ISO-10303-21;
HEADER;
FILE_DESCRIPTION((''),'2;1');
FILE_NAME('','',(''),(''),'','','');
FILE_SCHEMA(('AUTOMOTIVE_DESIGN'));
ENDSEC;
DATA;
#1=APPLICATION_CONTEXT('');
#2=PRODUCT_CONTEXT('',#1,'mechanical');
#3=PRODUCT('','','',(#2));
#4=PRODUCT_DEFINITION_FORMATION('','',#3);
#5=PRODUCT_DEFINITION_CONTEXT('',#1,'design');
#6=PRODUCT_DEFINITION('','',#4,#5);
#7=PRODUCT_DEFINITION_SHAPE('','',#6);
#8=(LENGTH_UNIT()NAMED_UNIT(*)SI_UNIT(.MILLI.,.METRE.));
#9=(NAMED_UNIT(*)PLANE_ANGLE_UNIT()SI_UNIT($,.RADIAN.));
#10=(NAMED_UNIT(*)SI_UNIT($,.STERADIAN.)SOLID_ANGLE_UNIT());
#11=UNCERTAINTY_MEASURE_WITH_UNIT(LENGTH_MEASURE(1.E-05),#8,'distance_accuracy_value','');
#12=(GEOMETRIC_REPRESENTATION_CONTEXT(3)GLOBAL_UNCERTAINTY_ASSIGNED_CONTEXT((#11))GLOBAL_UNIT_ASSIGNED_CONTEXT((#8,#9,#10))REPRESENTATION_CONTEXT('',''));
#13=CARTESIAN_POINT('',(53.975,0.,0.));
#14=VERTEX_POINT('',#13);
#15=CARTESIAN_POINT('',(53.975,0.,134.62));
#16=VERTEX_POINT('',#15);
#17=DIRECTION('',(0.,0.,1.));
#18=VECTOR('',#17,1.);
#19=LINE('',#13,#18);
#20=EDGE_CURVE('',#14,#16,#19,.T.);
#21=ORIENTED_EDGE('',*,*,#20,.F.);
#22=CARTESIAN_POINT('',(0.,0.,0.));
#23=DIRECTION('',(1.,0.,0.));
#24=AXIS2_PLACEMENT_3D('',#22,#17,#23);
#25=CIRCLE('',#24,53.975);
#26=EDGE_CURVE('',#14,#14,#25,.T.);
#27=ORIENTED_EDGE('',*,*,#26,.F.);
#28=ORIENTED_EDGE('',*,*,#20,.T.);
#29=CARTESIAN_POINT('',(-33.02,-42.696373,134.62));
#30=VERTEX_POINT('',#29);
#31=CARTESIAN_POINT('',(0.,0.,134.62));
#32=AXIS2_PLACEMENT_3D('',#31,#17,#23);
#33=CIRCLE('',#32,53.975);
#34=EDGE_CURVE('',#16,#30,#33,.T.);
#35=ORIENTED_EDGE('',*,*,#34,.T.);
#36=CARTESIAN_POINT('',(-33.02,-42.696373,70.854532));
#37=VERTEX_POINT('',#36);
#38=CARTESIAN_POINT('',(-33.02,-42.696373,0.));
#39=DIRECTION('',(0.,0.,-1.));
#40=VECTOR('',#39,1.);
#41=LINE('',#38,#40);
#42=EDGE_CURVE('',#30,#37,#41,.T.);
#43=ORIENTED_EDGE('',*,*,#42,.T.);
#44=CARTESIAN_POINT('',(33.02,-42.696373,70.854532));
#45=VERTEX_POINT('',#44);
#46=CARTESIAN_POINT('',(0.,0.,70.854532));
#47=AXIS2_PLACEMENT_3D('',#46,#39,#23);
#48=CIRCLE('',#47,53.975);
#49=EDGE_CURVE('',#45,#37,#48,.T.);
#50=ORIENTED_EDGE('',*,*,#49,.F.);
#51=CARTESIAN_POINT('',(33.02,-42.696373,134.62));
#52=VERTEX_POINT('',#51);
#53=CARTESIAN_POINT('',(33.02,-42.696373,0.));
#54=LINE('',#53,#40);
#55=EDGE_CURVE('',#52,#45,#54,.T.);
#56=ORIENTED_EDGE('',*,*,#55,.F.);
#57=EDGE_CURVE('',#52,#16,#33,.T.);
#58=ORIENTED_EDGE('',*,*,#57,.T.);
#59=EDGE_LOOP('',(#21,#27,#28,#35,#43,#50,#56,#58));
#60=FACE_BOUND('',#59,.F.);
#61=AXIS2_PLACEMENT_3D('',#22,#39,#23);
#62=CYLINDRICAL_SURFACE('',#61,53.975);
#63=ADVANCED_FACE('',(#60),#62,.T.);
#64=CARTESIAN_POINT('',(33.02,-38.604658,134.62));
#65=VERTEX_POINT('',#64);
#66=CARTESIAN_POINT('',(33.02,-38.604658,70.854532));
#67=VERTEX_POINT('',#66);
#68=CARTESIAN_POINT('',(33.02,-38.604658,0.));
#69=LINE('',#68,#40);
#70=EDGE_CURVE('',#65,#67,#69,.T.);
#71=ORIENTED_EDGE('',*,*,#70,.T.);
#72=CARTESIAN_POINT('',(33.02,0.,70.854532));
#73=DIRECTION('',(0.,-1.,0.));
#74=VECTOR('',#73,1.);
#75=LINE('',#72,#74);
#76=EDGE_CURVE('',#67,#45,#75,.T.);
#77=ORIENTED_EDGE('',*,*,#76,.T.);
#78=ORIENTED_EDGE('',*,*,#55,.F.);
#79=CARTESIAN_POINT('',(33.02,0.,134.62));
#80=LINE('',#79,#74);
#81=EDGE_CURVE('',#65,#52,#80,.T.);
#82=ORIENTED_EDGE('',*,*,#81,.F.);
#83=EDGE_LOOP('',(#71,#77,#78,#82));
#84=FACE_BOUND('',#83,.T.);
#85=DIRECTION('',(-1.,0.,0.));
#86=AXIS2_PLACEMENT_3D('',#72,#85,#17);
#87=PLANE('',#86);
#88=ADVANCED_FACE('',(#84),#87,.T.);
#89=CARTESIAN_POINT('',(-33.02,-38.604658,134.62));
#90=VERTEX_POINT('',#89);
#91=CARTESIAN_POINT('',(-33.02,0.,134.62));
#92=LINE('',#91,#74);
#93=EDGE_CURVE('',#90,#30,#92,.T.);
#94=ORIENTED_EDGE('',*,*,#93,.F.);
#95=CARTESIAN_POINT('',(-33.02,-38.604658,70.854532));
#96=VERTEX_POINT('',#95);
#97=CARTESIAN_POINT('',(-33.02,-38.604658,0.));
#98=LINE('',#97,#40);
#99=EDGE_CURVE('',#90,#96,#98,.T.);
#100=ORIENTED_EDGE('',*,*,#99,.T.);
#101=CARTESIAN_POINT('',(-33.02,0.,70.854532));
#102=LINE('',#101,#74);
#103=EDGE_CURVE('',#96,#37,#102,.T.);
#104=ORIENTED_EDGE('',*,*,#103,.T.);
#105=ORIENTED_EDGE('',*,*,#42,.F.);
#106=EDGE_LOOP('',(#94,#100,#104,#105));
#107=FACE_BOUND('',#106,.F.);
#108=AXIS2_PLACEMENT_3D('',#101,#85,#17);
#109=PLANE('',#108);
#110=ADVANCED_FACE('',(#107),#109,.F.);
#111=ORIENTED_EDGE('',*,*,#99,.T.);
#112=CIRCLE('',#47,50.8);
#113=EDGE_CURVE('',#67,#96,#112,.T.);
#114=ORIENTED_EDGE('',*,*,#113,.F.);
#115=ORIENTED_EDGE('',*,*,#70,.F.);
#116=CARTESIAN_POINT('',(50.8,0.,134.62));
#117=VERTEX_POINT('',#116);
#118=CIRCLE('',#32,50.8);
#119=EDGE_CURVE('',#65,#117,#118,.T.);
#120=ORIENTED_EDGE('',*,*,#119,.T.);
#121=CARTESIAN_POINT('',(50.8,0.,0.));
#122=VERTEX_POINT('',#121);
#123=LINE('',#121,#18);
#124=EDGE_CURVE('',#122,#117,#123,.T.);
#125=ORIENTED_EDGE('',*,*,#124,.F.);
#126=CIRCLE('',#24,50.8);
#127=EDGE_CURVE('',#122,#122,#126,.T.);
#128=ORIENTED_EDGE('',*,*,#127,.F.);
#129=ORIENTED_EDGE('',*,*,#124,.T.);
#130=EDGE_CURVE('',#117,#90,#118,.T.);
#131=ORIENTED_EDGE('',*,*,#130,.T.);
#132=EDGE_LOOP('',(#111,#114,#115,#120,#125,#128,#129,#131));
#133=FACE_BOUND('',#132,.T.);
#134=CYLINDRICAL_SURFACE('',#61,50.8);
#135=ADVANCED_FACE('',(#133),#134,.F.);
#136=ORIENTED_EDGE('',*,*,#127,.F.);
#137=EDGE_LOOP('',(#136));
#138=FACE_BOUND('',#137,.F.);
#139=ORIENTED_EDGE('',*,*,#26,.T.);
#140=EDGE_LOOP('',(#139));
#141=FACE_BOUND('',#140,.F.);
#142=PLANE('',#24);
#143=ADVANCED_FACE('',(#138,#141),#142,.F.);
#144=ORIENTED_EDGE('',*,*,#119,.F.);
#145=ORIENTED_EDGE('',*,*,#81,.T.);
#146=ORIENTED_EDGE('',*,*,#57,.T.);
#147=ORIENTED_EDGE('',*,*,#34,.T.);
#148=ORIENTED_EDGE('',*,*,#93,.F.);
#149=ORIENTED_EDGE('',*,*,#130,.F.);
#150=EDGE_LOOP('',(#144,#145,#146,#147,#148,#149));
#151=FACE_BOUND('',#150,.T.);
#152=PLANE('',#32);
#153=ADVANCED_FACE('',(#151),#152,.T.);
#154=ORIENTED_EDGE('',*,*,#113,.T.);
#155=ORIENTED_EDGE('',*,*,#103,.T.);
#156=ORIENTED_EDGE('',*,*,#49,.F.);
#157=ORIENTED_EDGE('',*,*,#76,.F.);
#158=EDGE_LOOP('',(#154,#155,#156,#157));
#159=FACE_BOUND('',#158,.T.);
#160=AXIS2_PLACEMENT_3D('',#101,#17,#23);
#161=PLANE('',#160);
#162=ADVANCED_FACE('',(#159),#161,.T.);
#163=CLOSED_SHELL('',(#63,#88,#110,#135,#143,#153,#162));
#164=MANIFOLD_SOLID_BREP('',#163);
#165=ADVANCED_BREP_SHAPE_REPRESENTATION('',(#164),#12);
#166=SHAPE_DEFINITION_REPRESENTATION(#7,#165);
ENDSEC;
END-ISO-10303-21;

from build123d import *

# Parameters (mm, degrees)
F0_R     = 53.975
F0_R_2   = 50.8
F1_DEPTH = 134.62
F2_W     = 66.04
F2_H     = 127
F3_DEPTH = 89.662


with BuildPart() as f1:
    # F0 (on Top) → F1 (new body)
    with BuildSketch(Plane.XY):
        Circle(F0_R)
        Circle(F0_R_2, mode=Mode.SUBTRACT)
    extrude(amount=F1_DEPTH)

    # F2 (on Front) → F3 (cut)
    with BuildSketch(Plane.XZ):
        with Locations((0, 134.354532)):
            Rectangle(F2_W, F2_H)
    extrude(amount=F3_DEPTH, mode=Mode.SUBTRACT)


solid = f1.part
